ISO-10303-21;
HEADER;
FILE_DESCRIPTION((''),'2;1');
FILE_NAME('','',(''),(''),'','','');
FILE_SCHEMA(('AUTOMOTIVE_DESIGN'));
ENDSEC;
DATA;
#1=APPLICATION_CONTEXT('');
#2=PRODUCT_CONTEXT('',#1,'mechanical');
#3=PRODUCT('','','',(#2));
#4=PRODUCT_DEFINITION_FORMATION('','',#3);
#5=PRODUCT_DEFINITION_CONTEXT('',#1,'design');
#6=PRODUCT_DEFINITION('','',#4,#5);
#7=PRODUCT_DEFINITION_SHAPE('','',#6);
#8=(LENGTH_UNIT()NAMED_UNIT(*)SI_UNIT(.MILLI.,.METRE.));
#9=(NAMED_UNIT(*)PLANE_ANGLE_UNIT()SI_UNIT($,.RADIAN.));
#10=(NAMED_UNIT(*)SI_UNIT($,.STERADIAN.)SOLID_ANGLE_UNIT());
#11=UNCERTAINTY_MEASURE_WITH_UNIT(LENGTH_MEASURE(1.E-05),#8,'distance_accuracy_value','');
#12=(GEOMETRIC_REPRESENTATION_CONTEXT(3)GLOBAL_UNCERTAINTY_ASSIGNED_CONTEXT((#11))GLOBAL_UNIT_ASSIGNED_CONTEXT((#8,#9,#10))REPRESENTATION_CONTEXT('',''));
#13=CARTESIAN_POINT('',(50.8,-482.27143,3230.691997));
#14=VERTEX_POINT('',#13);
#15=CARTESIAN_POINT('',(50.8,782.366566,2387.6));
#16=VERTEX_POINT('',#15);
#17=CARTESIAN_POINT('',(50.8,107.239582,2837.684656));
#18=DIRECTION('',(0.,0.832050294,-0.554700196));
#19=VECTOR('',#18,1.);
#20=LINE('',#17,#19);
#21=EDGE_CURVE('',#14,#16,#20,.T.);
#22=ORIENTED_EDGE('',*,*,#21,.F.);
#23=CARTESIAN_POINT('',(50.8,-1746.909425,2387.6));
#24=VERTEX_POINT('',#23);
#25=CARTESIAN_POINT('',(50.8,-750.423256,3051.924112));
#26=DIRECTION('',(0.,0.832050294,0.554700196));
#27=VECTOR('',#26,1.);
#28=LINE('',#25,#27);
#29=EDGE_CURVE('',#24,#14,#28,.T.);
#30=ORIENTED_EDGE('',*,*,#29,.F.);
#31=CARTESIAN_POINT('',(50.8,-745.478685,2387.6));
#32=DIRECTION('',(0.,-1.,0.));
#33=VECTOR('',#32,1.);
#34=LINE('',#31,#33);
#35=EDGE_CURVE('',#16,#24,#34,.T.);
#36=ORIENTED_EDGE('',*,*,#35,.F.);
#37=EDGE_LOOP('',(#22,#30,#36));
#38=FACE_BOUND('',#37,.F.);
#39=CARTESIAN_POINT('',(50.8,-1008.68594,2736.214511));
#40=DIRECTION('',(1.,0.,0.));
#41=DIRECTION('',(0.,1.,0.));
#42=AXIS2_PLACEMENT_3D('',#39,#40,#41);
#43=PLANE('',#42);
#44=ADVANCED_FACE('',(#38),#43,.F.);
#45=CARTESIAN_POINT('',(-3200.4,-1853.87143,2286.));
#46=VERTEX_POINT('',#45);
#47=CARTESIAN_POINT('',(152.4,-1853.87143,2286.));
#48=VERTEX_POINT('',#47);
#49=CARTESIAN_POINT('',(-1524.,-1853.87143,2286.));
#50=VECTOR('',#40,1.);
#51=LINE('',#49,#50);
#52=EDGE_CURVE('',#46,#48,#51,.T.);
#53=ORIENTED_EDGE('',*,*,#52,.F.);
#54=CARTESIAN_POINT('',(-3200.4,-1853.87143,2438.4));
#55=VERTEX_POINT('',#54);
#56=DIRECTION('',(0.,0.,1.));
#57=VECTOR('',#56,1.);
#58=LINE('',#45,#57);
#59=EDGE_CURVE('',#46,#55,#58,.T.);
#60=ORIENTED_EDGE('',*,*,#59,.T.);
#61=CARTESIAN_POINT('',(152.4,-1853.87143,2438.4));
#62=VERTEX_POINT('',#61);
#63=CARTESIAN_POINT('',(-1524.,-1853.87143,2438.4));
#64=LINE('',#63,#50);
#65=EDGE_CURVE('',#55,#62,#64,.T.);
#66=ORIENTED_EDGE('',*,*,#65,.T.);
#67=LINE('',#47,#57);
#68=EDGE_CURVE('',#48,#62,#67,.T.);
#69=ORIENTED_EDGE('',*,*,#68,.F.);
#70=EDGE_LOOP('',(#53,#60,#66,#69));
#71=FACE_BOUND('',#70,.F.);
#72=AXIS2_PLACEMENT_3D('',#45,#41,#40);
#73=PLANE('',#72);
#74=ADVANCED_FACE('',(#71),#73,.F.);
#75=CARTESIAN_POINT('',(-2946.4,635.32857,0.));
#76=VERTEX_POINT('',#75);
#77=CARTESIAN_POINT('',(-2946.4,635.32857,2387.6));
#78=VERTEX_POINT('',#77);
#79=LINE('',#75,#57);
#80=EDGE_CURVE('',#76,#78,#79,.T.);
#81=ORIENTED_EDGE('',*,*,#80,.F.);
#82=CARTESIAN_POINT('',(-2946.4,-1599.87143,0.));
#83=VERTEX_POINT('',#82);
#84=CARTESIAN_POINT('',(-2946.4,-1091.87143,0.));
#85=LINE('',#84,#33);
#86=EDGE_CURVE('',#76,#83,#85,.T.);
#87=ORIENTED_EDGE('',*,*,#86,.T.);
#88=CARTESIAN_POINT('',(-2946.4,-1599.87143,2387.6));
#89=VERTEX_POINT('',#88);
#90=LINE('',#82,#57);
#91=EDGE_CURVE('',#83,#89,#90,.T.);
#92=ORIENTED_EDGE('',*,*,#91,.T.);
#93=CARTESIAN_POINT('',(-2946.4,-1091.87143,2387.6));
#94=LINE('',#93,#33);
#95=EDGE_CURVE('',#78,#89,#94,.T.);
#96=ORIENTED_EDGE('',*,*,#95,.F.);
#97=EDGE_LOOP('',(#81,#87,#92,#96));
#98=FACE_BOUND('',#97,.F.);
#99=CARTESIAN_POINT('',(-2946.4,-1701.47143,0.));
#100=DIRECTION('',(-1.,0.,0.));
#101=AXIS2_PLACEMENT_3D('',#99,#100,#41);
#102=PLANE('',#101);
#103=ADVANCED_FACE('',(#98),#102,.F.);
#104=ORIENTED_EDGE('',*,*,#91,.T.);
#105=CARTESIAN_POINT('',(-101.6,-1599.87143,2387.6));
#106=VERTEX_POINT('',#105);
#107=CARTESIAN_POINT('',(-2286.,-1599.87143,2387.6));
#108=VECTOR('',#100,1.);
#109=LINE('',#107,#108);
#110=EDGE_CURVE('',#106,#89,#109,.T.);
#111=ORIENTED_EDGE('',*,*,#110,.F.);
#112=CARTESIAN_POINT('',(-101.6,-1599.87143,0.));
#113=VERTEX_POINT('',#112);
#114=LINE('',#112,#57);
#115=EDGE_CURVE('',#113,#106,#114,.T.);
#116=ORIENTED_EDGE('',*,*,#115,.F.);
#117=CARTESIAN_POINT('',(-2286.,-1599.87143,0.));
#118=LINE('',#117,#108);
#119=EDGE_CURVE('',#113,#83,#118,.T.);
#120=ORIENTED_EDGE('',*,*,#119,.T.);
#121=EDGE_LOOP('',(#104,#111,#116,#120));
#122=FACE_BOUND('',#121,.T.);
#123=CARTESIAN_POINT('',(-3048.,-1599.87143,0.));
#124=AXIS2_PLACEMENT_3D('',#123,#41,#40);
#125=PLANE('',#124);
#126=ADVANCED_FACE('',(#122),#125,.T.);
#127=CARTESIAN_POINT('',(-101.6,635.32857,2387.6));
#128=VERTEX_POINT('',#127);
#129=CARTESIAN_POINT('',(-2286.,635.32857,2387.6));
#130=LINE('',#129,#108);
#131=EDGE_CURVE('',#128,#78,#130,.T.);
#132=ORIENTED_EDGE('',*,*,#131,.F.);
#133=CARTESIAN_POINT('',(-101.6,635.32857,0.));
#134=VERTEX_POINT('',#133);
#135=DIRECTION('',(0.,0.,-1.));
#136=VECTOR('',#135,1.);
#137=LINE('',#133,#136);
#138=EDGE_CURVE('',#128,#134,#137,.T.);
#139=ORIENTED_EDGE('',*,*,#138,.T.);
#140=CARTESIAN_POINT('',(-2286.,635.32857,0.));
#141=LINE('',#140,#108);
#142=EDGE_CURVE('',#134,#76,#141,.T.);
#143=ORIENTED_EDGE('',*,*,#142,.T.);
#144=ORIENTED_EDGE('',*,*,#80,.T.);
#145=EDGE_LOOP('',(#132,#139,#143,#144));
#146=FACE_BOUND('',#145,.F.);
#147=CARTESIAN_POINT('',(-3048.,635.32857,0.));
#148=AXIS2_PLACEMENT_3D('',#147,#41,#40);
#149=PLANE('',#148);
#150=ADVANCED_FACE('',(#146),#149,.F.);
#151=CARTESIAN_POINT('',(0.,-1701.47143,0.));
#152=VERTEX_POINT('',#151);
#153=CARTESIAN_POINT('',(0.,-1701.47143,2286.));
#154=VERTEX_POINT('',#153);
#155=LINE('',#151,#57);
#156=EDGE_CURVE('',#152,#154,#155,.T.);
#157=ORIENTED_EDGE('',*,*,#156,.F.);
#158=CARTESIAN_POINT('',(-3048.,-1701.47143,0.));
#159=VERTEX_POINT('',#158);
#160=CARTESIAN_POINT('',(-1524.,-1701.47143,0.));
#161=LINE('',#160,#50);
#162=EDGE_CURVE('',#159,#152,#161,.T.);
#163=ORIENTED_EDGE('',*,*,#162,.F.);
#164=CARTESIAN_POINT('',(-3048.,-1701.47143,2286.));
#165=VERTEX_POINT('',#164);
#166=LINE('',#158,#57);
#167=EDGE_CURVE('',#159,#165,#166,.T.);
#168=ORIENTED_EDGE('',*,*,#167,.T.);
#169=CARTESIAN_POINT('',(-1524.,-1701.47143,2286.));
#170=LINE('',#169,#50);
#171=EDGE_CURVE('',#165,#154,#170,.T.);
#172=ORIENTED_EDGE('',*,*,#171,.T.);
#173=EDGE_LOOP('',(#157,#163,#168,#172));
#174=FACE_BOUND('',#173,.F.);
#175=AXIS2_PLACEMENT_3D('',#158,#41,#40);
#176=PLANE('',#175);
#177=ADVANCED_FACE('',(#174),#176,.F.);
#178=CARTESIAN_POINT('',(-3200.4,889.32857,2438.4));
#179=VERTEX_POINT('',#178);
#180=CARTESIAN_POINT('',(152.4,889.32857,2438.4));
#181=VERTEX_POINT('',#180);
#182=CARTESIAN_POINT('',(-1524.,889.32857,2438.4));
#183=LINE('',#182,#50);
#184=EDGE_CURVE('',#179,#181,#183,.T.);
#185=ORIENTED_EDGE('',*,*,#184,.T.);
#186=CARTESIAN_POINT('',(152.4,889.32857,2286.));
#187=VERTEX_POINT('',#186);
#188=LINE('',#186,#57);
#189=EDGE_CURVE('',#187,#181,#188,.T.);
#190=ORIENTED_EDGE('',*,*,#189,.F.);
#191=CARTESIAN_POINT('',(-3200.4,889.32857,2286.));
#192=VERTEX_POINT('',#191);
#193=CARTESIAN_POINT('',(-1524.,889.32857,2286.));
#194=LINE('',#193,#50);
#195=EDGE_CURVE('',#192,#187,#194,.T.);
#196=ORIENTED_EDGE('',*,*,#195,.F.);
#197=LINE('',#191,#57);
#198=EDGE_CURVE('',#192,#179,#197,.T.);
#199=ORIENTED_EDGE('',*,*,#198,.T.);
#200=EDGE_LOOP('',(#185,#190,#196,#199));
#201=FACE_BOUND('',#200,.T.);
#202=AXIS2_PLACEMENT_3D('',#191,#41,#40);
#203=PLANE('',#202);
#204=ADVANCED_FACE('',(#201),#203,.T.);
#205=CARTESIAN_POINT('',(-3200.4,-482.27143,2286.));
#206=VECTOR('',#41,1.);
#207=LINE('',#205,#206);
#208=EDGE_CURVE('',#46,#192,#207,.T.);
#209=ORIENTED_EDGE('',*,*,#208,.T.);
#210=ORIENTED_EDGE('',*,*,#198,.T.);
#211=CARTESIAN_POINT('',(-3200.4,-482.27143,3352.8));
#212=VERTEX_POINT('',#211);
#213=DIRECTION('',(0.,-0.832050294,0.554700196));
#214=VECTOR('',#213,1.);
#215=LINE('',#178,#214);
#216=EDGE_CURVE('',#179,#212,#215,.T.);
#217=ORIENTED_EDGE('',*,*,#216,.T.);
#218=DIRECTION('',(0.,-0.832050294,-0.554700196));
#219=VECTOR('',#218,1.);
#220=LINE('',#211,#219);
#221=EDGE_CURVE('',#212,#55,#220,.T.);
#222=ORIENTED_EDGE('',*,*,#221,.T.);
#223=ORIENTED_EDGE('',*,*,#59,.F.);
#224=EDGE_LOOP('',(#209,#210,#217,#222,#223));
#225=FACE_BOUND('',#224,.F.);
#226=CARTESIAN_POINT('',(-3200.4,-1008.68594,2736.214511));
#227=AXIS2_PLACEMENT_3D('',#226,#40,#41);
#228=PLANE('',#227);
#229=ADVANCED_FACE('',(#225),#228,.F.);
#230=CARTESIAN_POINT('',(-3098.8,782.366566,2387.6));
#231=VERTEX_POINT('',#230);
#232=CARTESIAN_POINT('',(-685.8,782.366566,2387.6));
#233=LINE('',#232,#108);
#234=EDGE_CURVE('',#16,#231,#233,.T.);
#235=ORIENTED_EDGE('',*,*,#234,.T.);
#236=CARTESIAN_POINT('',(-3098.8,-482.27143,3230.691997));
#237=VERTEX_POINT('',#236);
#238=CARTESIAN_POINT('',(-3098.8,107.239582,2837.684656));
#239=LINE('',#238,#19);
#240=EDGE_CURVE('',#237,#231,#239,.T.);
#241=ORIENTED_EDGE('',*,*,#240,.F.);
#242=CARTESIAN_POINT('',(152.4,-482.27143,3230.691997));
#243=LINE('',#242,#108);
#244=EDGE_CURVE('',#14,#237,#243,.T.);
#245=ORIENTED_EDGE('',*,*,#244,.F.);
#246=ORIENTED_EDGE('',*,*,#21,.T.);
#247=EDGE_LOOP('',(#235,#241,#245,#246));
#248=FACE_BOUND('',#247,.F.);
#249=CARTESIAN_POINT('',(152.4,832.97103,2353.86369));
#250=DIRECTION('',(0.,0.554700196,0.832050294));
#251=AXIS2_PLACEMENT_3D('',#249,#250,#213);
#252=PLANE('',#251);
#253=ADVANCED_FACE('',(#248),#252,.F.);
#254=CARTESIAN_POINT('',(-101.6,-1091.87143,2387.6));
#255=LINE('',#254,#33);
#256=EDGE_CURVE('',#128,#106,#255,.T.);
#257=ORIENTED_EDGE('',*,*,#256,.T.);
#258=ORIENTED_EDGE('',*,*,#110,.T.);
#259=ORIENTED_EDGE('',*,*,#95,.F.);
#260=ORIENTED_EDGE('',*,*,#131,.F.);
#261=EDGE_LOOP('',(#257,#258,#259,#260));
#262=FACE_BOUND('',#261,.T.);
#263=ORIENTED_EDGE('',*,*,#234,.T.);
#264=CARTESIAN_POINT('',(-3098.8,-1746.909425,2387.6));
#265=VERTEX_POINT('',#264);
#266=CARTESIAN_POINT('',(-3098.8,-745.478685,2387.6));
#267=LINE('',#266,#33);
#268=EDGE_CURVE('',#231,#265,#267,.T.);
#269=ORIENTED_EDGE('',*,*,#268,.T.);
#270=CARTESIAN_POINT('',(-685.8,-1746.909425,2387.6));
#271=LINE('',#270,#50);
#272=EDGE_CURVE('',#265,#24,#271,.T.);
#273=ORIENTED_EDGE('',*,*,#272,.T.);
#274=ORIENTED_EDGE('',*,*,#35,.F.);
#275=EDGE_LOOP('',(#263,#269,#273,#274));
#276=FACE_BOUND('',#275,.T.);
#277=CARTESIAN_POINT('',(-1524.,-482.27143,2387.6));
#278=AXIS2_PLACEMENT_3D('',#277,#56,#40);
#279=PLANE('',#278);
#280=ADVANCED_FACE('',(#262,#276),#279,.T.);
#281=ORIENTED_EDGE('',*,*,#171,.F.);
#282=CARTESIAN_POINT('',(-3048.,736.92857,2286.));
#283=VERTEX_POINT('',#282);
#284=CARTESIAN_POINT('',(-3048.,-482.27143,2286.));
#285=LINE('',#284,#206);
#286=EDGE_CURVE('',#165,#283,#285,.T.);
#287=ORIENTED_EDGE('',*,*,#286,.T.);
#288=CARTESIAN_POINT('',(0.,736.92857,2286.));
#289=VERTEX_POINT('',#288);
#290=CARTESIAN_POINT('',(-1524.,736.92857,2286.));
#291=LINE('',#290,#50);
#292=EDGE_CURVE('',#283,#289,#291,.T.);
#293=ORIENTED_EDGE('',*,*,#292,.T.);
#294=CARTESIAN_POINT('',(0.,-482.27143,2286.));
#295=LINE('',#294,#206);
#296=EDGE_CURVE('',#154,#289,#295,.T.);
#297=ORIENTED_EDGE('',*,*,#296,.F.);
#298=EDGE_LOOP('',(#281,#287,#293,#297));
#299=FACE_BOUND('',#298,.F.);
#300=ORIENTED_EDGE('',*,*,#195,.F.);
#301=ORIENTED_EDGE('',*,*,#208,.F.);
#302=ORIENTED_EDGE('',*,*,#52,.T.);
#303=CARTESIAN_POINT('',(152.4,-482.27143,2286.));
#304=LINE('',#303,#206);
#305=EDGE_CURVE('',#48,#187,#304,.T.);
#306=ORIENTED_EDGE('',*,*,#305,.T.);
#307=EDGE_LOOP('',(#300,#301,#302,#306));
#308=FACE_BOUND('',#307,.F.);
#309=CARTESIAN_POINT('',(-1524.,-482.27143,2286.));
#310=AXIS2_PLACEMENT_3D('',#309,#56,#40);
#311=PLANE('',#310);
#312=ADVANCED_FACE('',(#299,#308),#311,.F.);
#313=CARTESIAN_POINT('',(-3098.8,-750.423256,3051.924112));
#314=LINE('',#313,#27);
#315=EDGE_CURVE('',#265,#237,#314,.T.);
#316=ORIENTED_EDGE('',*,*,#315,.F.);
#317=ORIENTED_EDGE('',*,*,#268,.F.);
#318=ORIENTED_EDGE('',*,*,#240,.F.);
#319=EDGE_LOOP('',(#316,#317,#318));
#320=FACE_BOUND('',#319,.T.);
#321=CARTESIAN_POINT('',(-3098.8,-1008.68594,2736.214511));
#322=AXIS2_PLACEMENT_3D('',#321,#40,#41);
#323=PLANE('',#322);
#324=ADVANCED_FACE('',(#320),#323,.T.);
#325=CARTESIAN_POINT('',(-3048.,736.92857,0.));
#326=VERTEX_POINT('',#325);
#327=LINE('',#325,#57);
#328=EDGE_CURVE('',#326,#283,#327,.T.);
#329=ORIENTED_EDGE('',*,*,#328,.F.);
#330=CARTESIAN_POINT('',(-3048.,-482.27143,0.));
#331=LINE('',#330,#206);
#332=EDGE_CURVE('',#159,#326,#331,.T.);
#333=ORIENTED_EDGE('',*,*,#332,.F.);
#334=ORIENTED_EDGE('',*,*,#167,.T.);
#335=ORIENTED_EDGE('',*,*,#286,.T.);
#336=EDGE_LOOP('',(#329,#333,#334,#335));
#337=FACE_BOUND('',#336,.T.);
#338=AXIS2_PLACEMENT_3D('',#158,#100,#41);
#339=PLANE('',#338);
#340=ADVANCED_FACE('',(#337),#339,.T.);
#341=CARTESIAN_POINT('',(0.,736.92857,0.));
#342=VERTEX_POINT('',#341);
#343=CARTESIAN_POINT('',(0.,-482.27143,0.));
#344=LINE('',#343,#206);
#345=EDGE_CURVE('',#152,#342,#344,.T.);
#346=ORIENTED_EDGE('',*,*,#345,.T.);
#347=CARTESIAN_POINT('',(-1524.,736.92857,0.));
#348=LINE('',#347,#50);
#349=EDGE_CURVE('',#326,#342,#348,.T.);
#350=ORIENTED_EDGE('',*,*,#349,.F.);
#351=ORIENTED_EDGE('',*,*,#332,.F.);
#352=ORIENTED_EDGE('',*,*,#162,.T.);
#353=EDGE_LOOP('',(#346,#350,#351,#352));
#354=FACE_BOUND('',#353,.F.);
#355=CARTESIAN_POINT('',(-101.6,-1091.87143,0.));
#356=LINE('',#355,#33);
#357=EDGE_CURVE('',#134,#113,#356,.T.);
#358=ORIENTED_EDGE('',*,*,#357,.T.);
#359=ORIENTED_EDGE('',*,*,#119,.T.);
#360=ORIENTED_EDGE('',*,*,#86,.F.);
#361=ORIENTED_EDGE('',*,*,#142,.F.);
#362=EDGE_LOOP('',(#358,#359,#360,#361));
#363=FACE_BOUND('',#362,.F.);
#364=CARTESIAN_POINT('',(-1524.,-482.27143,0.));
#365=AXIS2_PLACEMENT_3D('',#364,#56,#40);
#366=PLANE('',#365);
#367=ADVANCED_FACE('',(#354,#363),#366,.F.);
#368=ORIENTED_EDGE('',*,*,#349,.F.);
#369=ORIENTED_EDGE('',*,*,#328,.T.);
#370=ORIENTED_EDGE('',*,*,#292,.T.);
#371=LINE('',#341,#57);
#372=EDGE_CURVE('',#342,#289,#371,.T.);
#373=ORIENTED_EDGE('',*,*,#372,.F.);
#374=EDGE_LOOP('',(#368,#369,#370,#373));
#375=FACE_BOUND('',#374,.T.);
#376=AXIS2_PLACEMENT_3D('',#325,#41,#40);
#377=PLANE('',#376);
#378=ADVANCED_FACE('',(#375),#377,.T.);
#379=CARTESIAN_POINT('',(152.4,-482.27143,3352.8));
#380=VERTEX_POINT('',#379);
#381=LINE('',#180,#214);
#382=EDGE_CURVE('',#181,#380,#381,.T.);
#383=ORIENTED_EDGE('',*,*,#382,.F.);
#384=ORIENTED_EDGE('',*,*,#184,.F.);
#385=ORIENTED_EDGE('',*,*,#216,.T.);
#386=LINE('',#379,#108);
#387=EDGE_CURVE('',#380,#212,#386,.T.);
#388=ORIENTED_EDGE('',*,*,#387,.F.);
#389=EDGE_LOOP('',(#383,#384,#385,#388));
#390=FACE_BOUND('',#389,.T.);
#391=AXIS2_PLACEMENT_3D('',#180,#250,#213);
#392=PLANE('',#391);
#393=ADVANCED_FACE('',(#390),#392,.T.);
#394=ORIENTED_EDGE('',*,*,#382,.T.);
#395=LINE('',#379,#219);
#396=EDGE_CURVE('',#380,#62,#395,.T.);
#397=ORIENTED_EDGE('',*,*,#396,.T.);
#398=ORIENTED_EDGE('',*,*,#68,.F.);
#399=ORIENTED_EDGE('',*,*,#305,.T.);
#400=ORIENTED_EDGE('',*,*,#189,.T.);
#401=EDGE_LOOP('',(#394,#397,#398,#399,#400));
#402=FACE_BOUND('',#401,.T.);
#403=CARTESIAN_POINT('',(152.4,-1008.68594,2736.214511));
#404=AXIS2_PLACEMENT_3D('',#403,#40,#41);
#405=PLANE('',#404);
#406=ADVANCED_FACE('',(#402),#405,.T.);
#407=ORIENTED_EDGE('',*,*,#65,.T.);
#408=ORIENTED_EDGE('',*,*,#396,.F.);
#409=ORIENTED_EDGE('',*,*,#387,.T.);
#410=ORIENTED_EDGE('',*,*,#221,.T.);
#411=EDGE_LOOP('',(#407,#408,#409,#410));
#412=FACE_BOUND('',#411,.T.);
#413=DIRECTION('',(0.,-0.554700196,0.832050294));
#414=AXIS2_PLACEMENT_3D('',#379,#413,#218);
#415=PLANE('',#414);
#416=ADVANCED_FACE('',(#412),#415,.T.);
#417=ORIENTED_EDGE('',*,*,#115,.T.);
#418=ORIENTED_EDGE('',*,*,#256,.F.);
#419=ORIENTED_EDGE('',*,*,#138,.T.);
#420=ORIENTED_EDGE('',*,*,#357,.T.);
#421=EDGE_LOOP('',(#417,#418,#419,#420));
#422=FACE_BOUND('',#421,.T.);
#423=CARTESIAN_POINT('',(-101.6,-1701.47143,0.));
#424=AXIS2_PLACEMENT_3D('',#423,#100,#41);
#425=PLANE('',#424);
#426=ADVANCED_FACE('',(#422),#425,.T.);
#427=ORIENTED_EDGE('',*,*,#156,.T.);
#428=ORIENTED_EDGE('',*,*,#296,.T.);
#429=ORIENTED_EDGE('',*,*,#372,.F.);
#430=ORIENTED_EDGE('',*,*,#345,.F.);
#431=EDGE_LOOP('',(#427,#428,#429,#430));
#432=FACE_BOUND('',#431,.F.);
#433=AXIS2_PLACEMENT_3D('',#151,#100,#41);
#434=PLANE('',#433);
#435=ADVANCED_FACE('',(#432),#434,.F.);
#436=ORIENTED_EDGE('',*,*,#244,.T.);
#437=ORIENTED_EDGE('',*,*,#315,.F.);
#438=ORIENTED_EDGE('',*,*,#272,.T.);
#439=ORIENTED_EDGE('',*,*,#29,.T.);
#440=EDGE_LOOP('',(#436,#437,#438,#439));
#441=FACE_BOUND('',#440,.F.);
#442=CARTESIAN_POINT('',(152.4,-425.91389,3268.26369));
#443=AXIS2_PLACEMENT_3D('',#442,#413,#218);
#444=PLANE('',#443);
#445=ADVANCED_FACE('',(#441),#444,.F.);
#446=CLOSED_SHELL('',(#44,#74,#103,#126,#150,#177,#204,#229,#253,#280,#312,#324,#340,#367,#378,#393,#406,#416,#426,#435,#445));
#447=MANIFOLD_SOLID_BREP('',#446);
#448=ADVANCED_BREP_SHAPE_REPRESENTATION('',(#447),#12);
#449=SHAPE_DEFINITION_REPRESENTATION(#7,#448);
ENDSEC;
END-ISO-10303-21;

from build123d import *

# Parameters (mm, degrees)
F0_W     = 3048
F0_H     = 2438.4
F1_DEPTH = 2286
F2_W     = 3352.8
F2_H     = 2743.2
F3_DEPTH = 152.4
F5_DEPTH = 3352.8
F6_T     = -101.6


with BuildPart() as f1:
    # F0 (on Top) → F1 (new body)
    with BuildSketch(Plane.XY):
        with Locations((-1524, -482.2714296149)):
            Rectangle(F0_W, F0_H)
    extrude(amount=F1_DEPTH)

    # F2 (on face) → F3 (join)
    with BuildSketch(Plane.XY.offset(2286)):
        with Locations((-1524, -482.2714296149)):
            Rectangle(F2_W, F2_H)
    extrude(amount=F3_DEPTH)

    # F4 (on face) → F5 (join, through all)
    with BuildSketch(Plane.YZ.offset(152.4)):
        Polygon((-482.2714296149, 3352.8), (-1853.8714296149, 2438.4), (-482.2714296149, 2438.4), align=None)
        Polygon((889.3285703851, 2438.4), (-482.2714296149, 3352.8), (-482.2714296149, 2438.4), align=None)
    extrude(amount=-F5_DEPTH)

    # F6
    f6_openings = [f1.faces().sort_by_distance(p)[0] for p in [
        (-1524, -482.27143, 0),
    ]]
    offset(amount=F6_T, openings=f6_openings, kind=Kind.INTERSECTION)


solid = f1.part
